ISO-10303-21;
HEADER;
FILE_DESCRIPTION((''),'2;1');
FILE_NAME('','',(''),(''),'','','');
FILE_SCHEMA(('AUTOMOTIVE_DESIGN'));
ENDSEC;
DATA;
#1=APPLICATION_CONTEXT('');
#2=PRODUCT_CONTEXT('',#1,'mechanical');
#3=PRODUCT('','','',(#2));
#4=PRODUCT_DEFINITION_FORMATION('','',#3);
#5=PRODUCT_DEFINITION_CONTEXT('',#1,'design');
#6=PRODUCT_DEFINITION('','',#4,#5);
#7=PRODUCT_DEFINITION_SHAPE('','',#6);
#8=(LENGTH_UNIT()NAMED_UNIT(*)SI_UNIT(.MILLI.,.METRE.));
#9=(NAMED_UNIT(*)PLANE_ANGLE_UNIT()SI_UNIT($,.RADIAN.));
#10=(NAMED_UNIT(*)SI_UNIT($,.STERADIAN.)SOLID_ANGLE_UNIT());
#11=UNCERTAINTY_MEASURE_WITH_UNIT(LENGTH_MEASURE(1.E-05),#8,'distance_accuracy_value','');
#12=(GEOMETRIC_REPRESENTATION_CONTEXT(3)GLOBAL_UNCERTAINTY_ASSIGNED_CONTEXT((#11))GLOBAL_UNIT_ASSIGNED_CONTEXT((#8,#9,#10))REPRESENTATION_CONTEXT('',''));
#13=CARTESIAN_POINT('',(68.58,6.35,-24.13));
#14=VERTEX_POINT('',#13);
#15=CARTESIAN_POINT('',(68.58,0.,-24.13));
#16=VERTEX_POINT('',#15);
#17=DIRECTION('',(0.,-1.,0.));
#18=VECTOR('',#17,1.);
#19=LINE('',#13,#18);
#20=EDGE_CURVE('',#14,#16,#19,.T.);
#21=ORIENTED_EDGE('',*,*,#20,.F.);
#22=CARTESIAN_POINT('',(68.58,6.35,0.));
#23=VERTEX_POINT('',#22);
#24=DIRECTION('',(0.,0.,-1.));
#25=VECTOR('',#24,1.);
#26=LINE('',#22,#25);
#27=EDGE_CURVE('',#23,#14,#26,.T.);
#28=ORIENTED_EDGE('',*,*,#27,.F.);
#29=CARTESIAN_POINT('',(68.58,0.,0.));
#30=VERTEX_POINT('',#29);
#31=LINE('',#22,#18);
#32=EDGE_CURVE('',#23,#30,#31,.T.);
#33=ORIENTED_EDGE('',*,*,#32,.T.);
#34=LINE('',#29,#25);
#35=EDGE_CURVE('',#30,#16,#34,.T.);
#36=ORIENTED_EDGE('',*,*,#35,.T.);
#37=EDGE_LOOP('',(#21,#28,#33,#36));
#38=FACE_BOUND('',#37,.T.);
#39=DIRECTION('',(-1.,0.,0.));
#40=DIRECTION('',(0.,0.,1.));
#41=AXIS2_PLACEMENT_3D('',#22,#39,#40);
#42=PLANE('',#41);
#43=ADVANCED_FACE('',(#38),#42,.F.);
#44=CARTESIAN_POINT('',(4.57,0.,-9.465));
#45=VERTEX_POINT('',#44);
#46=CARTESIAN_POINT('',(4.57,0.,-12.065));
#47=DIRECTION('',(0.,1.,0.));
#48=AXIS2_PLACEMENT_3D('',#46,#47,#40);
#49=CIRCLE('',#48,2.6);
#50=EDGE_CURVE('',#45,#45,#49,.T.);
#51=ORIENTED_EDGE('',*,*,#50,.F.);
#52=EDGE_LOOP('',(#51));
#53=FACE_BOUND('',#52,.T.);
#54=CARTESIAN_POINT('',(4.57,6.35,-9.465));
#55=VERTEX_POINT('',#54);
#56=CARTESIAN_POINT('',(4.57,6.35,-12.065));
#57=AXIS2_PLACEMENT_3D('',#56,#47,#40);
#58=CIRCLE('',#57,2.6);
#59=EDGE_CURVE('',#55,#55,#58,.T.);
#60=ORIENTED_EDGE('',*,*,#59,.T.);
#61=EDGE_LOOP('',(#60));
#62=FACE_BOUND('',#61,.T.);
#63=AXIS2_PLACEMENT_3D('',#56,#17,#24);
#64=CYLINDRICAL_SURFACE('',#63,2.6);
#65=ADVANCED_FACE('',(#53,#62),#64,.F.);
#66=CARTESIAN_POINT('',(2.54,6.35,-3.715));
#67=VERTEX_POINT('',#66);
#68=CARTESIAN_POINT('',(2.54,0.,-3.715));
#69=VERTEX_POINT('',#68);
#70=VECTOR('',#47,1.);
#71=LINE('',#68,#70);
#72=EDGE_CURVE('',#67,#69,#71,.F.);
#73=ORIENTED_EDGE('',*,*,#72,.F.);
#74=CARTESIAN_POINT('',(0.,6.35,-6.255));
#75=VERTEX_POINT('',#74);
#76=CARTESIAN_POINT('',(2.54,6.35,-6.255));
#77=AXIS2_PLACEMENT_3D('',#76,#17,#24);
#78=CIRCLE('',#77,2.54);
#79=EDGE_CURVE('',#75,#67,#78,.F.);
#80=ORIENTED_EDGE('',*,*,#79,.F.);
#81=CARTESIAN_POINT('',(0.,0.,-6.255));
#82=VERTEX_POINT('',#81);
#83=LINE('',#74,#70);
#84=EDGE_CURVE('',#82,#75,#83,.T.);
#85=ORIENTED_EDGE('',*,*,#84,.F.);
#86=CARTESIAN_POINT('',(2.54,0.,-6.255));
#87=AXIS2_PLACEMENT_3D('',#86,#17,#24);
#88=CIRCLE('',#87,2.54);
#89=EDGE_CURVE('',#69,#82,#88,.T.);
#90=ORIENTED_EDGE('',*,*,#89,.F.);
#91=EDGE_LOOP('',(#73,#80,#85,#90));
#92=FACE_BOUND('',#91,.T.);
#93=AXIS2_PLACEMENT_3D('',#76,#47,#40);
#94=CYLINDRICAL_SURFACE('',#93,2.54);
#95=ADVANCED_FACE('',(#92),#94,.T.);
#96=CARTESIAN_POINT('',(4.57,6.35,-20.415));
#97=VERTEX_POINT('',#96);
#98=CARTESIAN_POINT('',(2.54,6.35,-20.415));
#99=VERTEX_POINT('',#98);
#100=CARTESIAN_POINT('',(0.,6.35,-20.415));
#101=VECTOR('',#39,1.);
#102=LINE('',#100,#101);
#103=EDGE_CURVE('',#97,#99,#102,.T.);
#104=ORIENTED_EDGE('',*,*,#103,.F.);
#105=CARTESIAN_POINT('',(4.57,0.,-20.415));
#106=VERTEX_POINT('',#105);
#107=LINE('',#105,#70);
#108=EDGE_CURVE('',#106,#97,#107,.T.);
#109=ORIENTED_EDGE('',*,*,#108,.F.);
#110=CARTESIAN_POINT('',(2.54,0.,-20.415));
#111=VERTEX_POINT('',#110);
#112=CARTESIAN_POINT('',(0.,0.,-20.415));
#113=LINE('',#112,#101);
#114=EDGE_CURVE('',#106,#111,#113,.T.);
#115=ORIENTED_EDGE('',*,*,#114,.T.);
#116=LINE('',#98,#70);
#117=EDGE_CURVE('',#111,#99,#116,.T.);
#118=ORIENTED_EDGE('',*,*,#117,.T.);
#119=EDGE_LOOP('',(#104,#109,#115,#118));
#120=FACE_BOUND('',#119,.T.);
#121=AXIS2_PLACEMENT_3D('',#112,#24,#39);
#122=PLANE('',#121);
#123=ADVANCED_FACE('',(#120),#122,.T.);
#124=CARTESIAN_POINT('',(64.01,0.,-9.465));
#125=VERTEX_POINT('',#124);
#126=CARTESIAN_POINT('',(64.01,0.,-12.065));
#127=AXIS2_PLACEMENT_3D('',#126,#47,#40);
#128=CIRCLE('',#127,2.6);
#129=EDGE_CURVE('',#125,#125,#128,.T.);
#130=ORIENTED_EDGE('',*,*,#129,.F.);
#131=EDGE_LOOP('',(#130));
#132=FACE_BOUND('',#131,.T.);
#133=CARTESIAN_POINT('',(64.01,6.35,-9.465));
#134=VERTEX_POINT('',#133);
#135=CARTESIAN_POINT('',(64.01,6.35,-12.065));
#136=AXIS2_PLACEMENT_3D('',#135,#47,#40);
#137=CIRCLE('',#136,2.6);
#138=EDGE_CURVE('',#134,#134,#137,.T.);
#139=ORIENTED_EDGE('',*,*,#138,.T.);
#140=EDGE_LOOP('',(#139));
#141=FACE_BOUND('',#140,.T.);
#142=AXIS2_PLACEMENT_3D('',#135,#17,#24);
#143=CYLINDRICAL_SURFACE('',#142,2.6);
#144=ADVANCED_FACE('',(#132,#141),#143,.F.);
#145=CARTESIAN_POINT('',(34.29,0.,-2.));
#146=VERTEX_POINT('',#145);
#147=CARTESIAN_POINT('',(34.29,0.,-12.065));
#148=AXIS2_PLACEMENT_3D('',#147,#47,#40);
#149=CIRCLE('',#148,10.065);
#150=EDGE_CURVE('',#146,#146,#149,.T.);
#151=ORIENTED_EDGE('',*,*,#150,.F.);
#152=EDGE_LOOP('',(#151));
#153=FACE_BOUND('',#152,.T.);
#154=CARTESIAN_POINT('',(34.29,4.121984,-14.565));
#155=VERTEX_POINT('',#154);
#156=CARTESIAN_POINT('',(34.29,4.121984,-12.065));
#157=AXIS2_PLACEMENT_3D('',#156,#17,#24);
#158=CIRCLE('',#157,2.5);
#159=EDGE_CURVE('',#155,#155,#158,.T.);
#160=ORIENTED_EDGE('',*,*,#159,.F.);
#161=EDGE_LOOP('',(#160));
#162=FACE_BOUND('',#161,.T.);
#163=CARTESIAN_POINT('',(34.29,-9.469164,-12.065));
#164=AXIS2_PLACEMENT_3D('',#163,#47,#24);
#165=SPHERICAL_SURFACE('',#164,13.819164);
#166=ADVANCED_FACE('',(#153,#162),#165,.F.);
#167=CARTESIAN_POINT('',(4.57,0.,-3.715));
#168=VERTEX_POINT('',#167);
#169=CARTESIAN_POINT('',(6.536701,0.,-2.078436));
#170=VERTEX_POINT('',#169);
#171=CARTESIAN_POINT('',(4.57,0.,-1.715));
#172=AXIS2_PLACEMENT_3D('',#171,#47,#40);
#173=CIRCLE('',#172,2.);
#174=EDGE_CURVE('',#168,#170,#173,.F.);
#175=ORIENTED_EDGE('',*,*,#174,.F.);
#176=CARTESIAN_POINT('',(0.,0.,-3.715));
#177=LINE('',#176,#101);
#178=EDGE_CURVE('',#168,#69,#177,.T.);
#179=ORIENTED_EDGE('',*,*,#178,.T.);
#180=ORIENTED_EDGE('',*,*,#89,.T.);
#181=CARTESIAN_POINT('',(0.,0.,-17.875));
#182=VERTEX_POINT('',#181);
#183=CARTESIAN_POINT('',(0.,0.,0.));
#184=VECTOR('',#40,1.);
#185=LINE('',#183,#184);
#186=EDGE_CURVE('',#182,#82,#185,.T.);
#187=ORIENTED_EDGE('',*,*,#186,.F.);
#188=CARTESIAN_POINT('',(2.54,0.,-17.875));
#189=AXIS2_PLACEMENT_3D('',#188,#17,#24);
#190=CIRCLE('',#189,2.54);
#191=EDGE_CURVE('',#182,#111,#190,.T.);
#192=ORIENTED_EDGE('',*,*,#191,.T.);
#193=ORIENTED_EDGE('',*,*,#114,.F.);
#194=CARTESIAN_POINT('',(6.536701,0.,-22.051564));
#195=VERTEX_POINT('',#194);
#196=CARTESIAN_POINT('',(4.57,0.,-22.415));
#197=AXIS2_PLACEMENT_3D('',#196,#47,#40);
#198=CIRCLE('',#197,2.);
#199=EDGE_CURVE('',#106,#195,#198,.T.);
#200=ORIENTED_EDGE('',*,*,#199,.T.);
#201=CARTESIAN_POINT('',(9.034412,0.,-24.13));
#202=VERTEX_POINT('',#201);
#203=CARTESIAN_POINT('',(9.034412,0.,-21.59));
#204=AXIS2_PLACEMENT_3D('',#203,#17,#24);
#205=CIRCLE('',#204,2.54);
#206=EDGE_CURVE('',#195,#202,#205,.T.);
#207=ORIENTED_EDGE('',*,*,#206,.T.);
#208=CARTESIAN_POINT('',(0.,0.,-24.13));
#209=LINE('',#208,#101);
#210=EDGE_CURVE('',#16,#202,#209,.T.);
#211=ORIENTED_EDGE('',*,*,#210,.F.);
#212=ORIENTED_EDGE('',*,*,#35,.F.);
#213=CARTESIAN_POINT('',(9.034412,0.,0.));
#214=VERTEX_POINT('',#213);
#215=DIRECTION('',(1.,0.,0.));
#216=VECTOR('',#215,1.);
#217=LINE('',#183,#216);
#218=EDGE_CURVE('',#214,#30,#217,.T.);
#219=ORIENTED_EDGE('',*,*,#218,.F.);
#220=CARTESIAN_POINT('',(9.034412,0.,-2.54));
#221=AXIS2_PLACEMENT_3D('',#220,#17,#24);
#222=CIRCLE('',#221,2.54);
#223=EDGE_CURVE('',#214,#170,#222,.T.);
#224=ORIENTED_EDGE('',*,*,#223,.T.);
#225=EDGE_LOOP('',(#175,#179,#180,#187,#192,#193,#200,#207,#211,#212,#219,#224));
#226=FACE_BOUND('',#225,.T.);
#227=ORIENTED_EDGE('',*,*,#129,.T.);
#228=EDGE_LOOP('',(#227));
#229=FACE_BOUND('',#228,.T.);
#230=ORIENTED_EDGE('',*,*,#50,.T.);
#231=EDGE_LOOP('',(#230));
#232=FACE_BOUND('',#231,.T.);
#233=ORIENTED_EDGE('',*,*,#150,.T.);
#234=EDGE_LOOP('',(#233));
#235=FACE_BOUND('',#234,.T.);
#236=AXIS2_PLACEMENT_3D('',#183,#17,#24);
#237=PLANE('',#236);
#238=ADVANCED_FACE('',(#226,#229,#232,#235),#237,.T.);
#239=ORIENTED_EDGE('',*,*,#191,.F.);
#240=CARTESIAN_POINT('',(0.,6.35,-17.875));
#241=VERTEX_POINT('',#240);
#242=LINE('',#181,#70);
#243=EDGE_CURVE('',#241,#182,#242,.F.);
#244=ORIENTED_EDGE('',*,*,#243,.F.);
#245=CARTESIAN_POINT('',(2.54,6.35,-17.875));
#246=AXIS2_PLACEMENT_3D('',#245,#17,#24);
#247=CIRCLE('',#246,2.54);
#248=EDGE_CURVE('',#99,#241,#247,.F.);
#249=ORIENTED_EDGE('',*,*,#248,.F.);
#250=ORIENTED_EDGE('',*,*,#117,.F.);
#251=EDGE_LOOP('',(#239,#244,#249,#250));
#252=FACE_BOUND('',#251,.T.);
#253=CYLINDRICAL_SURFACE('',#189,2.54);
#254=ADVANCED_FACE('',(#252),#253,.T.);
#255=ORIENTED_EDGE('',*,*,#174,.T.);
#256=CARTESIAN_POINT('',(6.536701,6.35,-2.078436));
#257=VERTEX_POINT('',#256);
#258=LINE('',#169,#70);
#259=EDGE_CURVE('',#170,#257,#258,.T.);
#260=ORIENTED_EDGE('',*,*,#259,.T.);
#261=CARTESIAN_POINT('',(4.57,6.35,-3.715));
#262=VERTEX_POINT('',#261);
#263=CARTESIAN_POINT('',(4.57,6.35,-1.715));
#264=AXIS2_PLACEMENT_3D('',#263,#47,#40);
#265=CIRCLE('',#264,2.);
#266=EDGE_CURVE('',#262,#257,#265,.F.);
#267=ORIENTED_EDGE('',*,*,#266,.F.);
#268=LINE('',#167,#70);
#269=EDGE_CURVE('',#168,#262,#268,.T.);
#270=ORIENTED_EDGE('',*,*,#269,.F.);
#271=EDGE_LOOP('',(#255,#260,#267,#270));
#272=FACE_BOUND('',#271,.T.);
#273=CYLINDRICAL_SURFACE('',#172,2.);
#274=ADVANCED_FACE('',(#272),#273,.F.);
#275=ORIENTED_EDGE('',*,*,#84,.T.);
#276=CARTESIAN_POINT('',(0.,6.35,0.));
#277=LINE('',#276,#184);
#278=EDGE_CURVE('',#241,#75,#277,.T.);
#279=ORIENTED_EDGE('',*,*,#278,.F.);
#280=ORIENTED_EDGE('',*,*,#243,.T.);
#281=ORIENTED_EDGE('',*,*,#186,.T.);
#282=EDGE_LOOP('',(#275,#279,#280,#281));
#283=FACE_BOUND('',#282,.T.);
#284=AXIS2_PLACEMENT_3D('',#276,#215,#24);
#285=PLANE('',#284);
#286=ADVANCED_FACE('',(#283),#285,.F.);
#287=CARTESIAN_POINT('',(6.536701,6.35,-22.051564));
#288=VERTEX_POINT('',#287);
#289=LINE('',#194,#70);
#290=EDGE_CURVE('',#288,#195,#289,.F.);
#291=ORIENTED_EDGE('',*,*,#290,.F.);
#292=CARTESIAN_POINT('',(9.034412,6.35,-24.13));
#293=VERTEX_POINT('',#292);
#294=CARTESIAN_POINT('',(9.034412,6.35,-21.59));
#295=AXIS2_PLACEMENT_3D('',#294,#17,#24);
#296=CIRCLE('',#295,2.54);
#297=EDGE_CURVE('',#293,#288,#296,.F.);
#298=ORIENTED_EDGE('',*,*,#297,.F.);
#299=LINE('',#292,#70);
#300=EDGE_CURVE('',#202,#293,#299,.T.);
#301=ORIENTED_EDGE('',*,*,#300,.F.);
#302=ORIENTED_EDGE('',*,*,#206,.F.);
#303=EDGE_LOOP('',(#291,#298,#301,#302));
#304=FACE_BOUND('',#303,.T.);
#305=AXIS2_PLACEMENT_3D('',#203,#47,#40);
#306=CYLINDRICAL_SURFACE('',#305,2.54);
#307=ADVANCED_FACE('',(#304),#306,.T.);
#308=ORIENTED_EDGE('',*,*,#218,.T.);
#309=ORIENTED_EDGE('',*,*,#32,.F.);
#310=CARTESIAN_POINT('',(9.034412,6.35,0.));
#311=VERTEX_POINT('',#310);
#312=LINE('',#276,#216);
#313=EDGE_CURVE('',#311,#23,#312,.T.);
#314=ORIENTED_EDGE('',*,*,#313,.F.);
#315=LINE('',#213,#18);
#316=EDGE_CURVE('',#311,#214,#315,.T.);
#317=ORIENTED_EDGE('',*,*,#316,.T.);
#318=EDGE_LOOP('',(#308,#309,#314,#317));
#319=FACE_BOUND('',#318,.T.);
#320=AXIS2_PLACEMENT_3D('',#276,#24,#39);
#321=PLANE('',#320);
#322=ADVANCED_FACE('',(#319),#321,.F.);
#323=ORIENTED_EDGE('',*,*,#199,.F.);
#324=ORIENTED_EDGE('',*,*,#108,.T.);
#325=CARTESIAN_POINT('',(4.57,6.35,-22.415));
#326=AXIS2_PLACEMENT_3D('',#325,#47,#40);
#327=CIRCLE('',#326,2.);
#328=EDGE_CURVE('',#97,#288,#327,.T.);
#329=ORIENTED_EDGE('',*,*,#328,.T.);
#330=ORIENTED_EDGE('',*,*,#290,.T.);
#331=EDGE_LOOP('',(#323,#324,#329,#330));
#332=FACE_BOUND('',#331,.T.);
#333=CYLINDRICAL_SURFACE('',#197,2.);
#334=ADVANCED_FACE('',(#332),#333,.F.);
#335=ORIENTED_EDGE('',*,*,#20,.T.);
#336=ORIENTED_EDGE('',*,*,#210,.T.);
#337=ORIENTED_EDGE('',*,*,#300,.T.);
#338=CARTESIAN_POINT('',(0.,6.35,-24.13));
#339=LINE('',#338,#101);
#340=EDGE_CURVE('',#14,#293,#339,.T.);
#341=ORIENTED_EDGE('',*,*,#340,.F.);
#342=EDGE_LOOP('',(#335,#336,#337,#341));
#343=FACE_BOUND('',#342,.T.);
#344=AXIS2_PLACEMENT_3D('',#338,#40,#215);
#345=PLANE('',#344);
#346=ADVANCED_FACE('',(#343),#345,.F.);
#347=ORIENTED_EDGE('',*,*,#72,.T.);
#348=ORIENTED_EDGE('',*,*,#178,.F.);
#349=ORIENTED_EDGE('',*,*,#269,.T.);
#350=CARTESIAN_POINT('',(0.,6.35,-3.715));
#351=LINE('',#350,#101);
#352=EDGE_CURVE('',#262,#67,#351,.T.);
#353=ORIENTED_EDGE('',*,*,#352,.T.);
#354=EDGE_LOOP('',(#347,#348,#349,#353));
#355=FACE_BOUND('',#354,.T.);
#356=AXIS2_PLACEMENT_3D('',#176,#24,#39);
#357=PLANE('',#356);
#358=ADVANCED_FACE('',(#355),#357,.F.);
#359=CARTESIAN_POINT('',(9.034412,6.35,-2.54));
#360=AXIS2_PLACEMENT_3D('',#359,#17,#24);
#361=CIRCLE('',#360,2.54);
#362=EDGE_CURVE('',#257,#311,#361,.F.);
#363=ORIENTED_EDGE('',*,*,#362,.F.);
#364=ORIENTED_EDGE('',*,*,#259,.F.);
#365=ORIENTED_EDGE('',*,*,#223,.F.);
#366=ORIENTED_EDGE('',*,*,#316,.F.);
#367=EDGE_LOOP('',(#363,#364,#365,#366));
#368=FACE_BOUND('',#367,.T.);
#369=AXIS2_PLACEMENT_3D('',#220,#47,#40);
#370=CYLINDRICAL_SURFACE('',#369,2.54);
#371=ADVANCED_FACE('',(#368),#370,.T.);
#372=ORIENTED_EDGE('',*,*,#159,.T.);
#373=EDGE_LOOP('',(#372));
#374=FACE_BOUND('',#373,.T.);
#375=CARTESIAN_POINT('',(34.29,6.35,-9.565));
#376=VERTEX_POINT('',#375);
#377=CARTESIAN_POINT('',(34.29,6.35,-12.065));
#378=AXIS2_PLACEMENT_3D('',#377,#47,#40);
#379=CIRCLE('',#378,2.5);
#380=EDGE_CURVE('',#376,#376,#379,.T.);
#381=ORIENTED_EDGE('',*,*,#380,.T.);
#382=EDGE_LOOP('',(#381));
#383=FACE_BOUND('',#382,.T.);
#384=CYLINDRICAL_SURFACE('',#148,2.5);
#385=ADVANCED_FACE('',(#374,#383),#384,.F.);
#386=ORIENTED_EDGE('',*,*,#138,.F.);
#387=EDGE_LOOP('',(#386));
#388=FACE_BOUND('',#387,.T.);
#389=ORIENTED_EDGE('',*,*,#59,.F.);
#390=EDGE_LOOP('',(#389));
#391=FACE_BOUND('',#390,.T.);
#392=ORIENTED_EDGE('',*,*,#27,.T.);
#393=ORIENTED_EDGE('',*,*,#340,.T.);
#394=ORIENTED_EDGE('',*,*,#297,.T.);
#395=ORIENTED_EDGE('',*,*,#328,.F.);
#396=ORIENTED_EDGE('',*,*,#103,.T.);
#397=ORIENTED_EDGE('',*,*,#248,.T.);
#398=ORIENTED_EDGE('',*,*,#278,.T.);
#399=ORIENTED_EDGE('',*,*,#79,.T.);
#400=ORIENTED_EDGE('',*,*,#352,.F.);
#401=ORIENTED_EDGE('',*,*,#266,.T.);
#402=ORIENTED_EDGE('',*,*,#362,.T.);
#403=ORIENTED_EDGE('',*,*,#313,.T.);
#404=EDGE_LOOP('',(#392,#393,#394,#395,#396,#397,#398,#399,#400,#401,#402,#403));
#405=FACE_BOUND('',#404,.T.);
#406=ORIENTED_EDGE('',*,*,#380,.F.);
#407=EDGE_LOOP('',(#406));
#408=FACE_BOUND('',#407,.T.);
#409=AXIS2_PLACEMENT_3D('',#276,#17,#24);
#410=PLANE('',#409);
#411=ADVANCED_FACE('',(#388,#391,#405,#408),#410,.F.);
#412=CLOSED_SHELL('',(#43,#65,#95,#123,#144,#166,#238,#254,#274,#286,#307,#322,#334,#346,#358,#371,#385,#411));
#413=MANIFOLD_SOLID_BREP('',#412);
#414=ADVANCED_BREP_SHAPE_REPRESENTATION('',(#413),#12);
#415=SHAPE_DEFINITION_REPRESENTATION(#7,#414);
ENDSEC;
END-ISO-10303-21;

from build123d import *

# Parameters (mm, degrees)
SKETCH2_W           = 68.58
SKETCH2_H           = 24.13
SKETCH2_R           = 2.6
BOSS_EXTRUDE1_DEPTH = 6.35
CUT_EXTRUDE1_DEPTH  = 7.35
FILLET3_R           = 2.54
SKETCH4_R           = 2.5
CUT_EXTRUDE2_DEPTH  = 7.3500001


with BuildPart() as part:
    # Sketch2 → Boss-Extrude1 (new body)
    with BuildSketch(Plane(origin=(0, 0, 0), x_dir=(1, 0, 0), z_dir=(0, 1, 0))):
        with Locations((34.29, 12.065)):
            Rectangle(SKETCH2_W, SKETCH2_H)
        with Locations((4.57, 12.065)):
            Circle(SKETCH2_R, mode=Mode.SUBTRACT)
        with Locations((64.01, 12.065)):
            Circle(SKETCH2_R, mode=Mode.SUBTRACT)
    extrude(amount=BOSS_EXTRUDE1_DEPTH)

    # Sketch3 → Cut-Extrude1 (cut, through all)
    with BuildSketch(Plane(origin=(0, 6.35, 0), x_dir=(1, 0, 0), z_dir=(0, 1, 0))):
        with BuildLine():
            Line((4.57, 3.715), (0, 3.715))
            Line((0, 3.715), (0, 0))
            Line((0, 0), (6.57, 0))
            Line((6.57, 0), (6.57, 1.715))
            ThreePointArc((6.57, 1.715), (5.984213562, 3.129213562), (4.57, 3.715))
        make_face()
        with BuildLine():
            ThreePointArc((4.57, 20.415), (5.984213562, 21.000786438), (6.57, 22.415))
            Line((6.57, 22.415), (6.57, 24.13))
            Line((6.57, 24.13), (0, 24.13))
            Line((0, 24.13), (0, 20.415))
            Line((0, 20.415), (4.57, 20.415))
        make_face()
    extrude(amount=-CUT_EXTRUDE1_DEPTH, mode=Mode.SUBTRACT)

    # Fillet3
    fillet3_edges = [part.edges().sort_by_distance(p)[0] for p in [
        (6.57, 3.175, 0),
        (0, 3.175, -3.715),
        (0, 3.175, -20.415),
        (6.57, 3.175, -24.13),
    ]]
    fillet(fillet3_edges, radius=FILLET3_R)

    # Sketch4 → Cut-Extrude2 (cut, through all)
    with BuildSketch(Plane(origin=(0, 6.35, 0), x_dir=(1, 0, 0), z_dir=(0, 1, 0))):
        with Locations((34.29, 12.065)):
            Circle(SKETCH4_R)
    extrude(amount=-CUT_EXTRUDE2_DEPTH, mode=Mode.SUBTRACT)

    # Sketch8 one side → Cut-Revolve6 (revolve, cut)
    with BuildSketch(Plane(origin=(34.29, 0, 0), x_dir=(0, 0, -1), z_dir=(1, 0, 0))):
        with BuildLine():
            Line((12.065, 0), (22.13, 0))
            ThreePointArc((22.13, 0), (17.5473974, 3.215969501), (12.065, 4.35))
            Line((12.065, 4.35), (12.065, 0))
        make_face()
    revolve(axis=Axis((34.29, 6.35, -12.065), (0, -1, 0)), mode=Mode.SUBTRACT)


solid = part.part
